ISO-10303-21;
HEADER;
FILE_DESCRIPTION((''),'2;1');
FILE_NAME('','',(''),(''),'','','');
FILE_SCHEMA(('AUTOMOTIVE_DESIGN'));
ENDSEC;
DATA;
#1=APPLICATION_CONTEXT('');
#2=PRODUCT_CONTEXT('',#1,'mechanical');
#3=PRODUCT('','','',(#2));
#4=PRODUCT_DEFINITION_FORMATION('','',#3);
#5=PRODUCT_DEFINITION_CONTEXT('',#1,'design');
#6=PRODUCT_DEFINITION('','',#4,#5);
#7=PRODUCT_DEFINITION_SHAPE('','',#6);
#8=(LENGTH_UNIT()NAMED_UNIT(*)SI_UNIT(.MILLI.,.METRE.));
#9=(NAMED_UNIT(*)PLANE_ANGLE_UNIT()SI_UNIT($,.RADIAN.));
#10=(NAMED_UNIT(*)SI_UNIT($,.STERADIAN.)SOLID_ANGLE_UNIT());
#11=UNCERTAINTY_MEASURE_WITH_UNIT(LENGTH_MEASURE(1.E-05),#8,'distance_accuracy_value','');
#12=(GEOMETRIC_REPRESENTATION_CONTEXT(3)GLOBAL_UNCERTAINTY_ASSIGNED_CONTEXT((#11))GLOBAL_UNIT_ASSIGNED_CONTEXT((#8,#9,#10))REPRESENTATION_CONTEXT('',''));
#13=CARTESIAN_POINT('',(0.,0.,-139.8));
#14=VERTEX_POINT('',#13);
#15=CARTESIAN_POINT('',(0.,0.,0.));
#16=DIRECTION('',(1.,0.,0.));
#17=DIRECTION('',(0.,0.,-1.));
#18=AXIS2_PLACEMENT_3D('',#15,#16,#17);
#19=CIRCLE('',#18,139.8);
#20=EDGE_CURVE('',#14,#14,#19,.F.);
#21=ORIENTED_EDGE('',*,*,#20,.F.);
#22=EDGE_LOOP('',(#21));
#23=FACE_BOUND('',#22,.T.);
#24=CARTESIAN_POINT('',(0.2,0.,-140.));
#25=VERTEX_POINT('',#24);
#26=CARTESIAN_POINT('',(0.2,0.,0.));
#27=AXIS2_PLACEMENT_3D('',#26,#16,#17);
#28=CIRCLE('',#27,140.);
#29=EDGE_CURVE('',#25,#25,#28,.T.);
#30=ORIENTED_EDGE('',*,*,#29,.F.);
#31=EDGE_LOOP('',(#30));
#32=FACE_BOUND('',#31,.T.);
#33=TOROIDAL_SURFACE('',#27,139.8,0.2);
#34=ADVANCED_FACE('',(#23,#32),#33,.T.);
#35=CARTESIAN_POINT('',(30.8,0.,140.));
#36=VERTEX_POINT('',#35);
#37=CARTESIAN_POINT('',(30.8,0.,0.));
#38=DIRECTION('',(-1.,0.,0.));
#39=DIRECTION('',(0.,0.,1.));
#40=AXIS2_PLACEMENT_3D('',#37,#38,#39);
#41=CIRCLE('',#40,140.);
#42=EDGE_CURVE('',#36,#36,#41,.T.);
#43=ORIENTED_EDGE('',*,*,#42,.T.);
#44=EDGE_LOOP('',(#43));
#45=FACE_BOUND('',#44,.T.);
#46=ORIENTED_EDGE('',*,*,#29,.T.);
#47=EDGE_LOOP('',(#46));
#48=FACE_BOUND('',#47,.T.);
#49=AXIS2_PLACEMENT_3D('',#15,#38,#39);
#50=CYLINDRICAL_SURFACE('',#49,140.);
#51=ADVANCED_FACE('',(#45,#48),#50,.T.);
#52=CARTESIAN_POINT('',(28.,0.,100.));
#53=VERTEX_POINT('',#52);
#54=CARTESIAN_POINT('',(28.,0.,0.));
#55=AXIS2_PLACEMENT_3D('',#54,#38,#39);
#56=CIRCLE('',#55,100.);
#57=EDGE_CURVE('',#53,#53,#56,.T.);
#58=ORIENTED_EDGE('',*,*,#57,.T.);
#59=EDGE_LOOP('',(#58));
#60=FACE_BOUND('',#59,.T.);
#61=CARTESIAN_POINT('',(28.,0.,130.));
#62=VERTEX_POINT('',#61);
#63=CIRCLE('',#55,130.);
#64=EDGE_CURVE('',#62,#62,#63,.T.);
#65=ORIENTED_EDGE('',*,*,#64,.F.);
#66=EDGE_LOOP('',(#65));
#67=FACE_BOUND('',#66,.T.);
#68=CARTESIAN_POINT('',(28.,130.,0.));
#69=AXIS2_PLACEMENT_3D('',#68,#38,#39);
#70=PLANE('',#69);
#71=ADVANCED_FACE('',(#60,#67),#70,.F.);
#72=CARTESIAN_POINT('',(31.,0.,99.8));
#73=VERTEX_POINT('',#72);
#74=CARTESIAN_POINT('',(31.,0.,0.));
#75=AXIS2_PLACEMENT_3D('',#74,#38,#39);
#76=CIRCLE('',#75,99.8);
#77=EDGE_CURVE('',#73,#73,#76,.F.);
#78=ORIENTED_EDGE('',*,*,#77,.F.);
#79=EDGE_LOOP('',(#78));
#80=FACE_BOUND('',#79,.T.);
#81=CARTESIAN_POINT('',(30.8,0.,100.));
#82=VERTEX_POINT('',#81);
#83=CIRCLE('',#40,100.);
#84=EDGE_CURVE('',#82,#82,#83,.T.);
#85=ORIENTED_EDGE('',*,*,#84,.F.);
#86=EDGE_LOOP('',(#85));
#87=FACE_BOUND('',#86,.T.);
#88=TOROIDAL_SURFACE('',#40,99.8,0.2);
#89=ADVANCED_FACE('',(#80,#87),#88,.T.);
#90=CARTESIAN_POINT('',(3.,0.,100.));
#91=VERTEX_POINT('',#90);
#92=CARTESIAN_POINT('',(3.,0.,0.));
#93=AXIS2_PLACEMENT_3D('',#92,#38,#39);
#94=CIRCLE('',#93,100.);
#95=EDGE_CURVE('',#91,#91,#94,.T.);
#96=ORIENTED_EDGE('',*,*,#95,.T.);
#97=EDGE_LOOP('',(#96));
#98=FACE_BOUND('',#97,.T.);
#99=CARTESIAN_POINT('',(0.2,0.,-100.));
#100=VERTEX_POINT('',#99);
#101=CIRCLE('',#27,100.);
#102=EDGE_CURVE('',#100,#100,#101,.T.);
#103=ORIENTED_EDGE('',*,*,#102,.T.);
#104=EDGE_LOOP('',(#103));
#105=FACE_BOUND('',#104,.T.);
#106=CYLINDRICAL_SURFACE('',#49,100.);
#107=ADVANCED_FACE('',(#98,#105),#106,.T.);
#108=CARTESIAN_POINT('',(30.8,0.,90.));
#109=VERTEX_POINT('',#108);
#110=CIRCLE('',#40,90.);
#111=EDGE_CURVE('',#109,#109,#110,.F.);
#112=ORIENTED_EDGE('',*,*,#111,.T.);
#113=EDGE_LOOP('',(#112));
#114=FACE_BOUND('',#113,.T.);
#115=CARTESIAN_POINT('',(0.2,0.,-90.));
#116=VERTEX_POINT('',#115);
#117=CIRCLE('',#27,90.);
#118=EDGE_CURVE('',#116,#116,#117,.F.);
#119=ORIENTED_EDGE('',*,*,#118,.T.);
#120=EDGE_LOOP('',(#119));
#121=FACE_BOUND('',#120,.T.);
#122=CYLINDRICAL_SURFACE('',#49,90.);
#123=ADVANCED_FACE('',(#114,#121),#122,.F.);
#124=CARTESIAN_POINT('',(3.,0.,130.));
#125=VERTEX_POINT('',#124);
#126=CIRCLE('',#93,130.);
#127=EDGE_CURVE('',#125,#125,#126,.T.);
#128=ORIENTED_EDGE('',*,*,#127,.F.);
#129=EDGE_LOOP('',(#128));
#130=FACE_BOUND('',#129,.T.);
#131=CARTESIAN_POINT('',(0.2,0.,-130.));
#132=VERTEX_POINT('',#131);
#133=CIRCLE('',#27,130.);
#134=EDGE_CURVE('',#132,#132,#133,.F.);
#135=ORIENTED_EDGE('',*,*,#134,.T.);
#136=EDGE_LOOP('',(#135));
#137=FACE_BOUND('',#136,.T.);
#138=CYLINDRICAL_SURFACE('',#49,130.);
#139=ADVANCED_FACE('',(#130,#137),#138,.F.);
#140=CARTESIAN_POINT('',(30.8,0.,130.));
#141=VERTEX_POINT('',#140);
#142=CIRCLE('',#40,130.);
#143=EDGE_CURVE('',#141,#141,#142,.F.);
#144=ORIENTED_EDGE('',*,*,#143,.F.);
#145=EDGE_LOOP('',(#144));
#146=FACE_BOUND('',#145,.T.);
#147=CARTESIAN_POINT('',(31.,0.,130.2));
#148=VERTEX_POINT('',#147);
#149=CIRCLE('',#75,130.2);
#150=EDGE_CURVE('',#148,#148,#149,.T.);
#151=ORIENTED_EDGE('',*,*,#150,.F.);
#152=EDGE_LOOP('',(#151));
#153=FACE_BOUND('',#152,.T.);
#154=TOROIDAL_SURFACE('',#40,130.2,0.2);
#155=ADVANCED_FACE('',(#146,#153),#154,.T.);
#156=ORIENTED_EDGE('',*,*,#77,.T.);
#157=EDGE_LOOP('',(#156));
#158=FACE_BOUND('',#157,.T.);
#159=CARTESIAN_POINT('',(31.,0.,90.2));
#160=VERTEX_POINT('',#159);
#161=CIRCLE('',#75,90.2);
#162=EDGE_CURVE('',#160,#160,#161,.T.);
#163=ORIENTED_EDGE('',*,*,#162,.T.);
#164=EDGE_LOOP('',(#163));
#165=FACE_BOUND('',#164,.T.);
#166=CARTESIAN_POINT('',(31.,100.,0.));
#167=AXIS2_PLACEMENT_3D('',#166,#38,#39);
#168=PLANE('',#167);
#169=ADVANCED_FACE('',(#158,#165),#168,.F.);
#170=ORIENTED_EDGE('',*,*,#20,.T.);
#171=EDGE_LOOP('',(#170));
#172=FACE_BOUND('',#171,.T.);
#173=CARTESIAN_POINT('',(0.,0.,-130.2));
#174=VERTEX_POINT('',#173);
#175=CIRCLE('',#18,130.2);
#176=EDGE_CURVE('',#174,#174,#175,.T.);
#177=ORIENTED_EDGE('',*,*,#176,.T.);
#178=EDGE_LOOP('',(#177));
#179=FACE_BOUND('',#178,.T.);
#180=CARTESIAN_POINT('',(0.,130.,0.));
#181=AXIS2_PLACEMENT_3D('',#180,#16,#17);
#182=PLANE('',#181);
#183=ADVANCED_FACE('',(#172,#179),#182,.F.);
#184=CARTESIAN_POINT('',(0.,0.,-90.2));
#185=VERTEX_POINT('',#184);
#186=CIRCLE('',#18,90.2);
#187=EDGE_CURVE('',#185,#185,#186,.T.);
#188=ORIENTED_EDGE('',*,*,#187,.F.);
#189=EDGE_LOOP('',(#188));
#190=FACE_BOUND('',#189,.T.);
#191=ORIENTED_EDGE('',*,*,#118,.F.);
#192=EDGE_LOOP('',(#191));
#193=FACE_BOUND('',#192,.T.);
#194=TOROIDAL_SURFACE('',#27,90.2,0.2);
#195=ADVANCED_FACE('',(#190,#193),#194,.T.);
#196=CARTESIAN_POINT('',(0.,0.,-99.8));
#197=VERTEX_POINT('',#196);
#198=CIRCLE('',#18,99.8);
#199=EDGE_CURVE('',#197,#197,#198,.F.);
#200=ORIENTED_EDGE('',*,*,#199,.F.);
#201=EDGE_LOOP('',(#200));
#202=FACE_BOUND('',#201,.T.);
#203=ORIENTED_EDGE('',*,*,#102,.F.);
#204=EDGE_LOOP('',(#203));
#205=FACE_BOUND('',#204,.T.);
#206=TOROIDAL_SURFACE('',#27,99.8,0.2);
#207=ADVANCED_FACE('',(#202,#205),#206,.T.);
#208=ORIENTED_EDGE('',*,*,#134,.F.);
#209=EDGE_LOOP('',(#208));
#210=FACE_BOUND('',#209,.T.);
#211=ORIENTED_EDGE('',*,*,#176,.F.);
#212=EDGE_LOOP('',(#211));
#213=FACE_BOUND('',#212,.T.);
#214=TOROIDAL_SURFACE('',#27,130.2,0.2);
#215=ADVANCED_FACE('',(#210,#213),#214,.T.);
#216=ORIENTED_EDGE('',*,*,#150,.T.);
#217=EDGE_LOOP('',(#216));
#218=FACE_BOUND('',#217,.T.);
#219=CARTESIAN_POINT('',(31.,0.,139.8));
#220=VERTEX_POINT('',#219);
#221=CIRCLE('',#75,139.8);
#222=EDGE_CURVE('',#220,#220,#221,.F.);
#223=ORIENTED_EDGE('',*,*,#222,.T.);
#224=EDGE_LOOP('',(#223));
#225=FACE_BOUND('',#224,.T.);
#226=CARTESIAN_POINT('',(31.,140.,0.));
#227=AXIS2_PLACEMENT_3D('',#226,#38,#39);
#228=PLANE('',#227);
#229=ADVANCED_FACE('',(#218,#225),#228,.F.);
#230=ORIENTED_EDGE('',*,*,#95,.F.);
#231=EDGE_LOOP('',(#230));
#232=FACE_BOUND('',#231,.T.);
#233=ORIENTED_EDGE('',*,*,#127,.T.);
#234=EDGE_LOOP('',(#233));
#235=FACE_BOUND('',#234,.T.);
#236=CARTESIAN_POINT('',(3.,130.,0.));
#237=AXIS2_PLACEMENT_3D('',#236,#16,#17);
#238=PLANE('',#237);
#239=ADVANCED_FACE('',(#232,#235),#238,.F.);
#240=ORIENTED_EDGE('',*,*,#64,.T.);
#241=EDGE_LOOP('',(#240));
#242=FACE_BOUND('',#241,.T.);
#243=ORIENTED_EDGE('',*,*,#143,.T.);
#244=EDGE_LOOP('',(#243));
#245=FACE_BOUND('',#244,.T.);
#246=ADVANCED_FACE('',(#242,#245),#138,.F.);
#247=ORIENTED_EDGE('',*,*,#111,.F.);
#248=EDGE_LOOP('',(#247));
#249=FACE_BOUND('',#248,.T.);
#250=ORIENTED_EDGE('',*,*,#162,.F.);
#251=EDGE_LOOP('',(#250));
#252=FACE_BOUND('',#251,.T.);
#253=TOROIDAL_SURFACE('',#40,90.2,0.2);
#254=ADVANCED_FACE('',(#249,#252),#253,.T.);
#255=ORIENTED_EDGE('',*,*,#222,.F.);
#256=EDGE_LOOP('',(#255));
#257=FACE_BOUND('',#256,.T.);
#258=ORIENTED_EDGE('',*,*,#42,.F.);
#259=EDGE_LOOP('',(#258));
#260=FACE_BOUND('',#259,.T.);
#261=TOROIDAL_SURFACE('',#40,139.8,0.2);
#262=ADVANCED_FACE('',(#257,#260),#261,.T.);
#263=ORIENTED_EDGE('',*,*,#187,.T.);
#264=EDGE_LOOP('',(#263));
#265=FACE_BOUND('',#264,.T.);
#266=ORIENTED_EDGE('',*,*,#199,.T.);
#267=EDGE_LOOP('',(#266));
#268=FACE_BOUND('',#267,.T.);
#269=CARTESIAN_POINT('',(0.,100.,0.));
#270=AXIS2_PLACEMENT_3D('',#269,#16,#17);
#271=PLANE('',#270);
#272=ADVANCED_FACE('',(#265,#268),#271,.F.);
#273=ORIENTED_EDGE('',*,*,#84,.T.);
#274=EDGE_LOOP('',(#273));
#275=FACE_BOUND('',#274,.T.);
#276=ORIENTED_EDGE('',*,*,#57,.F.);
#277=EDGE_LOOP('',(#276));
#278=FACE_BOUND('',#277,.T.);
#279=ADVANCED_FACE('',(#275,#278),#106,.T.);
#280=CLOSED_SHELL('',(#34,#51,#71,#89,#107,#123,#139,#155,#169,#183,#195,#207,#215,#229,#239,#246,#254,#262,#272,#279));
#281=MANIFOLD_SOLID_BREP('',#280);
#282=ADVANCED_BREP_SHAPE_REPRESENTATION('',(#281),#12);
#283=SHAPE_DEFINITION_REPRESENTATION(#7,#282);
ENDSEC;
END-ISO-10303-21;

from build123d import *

# Parameters (mm, degrees)
VERRUNDUNG1_R = 0.2


with BuildPart() as part:
    # Skizze1 → Rotation1 (revolve)
    with BuildSketch(Plane.XY, mode=Mode.PRIVATE) as rotation1_sk:
        Polygon((0, 130), (0, 140), (31, 140), (31, 130), (28, 130), (28, 100), (31, 100), (31, 90), (0, 90), (0, 100), (3, 100), (3, 130), align=None)
    revolve(rotation1_sk.sketch.rotate(Axis((0, 0, 0), (1, 0, 0)), 90), axis=Axis((0, 0, 0), (1, 0, 0)))  # turned: the seam where the file's is

    # Verrundung1
    verrundung1_edges = [part.edges().sort_by_distance(p)[0] for p in [
        (0, 0, -130),
        (0, 0, -140),
        (31, 0, -140),
        (31, 0, -130),
        (31, 0, -100),
        (31, 0, -90),
        (0, 0, -90),
        (0, 0, -100),
    ]]
    fillet(verrundung1_edges, radius=VERRUNDUNG1_R)


solid = part.part
